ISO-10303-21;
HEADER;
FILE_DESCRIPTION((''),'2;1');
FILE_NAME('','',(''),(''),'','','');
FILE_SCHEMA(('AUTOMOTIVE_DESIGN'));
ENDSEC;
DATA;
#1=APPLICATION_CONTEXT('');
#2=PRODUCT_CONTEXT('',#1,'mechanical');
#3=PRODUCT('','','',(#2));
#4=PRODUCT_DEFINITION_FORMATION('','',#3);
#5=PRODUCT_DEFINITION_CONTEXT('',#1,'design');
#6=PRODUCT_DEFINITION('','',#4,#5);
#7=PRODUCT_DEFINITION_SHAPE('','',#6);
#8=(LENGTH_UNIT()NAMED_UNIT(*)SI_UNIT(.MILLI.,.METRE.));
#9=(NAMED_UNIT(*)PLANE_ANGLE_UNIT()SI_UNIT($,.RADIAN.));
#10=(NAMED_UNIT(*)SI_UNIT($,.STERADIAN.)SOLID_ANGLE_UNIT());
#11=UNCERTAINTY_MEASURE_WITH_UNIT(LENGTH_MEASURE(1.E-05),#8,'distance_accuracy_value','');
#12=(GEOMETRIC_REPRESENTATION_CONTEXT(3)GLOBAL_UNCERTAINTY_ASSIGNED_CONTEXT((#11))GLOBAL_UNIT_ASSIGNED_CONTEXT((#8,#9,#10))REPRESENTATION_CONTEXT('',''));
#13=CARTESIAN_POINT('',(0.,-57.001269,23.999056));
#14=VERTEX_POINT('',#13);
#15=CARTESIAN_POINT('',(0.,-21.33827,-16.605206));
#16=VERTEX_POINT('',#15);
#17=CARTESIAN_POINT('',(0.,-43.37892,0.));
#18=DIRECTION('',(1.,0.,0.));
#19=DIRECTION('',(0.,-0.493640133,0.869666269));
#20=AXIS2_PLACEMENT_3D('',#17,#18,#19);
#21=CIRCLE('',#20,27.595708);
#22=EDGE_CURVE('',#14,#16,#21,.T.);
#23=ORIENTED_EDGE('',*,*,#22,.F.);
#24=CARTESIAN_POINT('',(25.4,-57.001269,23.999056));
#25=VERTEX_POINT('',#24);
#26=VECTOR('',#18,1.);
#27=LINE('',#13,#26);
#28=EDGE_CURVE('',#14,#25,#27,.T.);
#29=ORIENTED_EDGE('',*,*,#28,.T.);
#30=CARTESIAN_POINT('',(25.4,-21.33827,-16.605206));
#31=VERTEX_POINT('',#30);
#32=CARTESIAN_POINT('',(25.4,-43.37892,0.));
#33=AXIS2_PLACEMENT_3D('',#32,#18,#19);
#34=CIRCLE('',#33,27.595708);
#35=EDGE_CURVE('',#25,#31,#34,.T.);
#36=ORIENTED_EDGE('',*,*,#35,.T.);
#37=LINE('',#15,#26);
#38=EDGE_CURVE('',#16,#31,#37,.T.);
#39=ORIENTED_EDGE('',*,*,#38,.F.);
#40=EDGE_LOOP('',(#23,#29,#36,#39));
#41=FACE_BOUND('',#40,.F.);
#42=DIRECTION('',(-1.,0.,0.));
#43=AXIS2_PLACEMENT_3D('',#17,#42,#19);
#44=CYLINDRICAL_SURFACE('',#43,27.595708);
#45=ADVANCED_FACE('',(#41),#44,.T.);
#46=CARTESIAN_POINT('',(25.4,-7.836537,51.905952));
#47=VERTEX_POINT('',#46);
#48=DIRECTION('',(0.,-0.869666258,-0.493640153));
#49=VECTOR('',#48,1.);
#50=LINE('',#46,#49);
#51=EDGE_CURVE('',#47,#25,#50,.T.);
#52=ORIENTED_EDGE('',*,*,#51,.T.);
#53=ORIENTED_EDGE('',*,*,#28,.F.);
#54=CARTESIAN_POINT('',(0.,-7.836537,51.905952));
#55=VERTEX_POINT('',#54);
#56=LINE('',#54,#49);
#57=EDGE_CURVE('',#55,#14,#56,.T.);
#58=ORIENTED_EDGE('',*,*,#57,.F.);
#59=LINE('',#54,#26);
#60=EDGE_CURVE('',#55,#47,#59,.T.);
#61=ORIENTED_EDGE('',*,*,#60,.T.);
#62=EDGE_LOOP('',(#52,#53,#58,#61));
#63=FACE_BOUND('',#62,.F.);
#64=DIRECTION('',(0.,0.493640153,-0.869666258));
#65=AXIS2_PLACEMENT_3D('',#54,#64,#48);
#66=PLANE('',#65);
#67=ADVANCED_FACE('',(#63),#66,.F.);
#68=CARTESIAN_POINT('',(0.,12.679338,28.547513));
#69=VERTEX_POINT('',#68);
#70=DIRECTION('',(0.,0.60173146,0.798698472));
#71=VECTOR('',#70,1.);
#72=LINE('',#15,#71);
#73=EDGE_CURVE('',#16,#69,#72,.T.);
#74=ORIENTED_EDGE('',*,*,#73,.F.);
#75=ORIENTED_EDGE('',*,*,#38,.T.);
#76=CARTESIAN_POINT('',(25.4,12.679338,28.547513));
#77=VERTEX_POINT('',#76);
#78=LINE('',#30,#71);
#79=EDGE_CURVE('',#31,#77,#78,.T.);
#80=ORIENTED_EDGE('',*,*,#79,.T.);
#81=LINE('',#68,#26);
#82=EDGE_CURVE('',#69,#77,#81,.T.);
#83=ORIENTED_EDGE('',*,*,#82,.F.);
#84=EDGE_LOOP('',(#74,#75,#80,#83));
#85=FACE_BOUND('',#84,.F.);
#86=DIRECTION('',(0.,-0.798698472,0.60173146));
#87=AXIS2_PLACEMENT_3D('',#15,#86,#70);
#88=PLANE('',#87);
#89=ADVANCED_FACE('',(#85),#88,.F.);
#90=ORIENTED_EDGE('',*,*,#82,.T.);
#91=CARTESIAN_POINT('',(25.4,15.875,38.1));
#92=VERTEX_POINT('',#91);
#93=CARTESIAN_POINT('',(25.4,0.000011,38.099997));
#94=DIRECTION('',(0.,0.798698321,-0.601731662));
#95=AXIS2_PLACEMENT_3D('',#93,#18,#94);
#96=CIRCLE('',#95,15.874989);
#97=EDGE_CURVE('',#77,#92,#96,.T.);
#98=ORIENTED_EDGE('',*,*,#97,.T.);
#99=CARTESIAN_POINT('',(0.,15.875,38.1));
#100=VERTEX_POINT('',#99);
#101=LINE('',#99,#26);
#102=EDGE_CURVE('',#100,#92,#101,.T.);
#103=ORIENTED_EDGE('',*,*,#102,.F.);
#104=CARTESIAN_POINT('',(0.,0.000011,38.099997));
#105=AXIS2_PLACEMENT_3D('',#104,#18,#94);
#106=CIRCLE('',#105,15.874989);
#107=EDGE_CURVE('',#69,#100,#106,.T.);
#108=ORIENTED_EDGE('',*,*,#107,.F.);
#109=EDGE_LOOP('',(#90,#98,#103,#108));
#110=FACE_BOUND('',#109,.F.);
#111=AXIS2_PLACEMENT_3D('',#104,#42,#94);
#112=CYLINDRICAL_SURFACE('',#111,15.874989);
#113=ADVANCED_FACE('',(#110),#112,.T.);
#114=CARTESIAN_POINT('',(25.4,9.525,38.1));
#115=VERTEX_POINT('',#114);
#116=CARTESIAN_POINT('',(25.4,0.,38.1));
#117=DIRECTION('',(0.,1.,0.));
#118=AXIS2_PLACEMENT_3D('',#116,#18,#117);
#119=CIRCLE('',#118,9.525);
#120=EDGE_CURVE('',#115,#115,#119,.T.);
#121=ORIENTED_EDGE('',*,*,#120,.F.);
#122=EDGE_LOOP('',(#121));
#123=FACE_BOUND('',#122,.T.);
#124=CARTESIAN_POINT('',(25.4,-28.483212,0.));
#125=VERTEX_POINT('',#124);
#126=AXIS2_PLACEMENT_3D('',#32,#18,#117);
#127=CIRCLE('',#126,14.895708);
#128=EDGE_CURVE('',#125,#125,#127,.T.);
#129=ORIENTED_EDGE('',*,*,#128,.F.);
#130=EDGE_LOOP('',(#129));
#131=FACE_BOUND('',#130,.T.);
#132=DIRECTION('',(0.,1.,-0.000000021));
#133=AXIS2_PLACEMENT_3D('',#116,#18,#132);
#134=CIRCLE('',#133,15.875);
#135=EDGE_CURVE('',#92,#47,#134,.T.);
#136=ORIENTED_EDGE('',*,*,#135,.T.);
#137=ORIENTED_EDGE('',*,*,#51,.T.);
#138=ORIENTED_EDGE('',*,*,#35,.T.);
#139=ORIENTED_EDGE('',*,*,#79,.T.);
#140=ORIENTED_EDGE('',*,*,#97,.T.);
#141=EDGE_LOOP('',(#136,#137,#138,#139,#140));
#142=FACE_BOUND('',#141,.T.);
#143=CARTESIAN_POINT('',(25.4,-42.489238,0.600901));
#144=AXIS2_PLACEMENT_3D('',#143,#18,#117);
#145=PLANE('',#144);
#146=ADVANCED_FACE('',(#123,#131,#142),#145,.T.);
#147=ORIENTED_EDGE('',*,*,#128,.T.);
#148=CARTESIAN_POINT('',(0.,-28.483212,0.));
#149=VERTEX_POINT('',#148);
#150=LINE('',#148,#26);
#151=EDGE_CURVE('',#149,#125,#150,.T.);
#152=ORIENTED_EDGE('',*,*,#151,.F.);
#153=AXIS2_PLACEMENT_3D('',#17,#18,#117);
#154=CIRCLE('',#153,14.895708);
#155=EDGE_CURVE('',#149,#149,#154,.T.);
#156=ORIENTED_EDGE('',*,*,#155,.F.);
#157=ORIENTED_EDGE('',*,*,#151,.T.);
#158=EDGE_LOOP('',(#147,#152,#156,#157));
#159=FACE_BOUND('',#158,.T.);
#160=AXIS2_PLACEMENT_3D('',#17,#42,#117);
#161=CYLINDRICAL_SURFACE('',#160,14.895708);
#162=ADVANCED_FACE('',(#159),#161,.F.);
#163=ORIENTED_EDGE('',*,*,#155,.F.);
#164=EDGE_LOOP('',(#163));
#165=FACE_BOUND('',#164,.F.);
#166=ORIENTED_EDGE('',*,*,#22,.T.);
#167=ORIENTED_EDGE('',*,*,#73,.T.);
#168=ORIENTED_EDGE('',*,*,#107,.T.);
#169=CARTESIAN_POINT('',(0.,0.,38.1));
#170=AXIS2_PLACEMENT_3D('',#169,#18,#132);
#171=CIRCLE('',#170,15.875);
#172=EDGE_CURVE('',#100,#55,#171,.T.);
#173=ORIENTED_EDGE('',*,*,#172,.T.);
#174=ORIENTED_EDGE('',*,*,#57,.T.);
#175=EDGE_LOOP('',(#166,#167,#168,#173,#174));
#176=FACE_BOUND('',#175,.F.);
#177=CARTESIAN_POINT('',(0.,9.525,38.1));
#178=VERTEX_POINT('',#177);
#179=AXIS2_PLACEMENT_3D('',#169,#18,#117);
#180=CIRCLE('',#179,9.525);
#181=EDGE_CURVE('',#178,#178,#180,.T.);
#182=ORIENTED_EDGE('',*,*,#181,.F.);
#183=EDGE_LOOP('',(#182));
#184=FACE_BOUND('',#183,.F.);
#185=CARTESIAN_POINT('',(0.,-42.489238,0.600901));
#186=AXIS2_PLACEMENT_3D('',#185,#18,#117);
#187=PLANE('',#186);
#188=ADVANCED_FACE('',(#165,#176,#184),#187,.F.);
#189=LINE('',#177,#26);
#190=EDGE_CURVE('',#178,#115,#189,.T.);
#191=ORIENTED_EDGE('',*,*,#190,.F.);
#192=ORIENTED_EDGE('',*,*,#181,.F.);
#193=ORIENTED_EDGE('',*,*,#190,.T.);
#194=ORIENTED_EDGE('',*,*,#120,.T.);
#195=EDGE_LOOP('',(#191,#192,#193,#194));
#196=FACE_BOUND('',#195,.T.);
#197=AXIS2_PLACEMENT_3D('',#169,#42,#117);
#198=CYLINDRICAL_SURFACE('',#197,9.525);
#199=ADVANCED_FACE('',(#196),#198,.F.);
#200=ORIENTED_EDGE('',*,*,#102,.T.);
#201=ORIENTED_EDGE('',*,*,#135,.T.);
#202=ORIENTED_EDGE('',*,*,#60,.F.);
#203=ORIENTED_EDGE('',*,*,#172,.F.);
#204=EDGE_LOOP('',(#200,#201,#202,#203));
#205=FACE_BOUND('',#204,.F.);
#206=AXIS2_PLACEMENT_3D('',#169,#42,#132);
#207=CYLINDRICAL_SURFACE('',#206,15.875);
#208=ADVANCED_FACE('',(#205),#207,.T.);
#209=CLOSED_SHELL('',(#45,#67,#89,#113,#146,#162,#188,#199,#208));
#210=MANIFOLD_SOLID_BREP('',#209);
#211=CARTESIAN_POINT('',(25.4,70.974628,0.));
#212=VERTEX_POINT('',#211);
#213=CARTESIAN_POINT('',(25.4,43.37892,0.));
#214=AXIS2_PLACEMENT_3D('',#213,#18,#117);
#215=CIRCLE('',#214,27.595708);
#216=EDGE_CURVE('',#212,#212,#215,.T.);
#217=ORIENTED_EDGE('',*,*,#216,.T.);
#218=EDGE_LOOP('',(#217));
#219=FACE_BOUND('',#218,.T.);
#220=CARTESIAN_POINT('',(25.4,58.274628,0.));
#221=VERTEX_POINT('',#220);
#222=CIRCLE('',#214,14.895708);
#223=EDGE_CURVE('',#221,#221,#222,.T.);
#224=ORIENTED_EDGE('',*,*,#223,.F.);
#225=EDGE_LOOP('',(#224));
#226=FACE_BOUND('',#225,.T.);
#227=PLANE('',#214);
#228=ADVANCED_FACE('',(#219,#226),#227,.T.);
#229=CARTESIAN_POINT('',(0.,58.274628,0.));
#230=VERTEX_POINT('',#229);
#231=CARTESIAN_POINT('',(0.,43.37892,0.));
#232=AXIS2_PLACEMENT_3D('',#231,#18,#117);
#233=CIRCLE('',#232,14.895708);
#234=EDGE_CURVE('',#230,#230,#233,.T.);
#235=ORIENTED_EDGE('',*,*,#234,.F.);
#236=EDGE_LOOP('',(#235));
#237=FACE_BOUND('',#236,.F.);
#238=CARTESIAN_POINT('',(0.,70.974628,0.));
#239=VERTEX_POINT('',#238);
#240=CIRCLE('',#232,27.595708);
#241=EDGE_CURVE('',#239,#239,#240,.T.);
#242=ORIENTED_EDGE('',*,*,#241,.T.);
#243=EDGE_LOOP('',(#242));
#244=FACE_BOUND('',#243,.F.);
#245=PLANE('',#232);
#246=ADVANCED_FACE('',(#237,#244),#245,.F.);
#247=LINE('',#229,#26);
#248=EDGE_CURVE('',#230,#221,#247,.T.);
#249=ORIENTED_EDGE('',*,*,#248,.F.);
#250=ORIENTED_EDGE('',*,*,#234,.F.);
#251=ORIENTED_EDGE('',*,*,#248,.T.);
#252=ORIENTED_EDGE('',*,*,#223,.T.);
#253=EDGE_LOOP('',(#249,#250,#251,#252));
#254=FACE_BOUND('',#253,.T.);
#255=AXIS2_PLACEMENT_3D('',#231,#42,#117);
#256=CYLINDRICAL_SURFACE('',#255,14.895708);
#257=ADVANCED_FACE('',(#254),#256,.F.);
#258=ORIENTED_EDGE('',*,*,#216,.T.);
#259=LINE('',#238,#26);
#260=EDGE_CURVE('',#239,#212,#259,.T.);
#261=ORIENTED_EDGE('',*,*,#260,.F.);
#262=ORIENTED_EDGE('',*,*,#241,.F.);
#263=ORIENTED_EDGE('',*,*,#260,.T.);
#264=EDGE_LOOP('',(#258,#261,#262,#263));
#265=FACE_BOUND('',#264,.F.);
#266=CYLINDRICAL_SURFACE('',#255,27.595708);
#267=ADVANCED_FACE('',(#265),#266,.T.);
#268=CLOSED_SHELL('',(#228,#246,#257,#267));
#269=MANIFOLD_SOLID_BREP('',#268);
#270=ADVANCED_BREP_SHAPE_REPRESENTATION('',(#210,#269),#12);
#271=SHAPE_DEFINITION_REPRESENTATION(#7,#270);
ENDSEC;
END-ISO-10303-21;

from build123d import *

# Parameters (mm, degrees)
F0_R     = 14.895708
F0_R_2   = 9.525
F0_R_3   = 27.595708
F1_DEPTH = 25.4


with BuildPart() as f1:
    # F0 (on Right) → F1 (new body)
    with BuildSketch(Plane.YZ):
        with BuildLine():
            ThreePointArc((-21.33827, -16.605206), (-17.208799, -8.754878), (-15.783212, 0))
            ThreePointArc((-15.783212, 0), (-29.493591, 23.847867), (-57.001269, 23.999056))
            ThreePointArc((-57.001269, 23.999056), (-64.112793, -18.210701), (-21.33827, -16.605206))
        make_face()
        with Locations((-43.37892, 0)):
            Circle(F0_R, mode=Mode.SUBTRACT)
        with BuildLine():
            ThreePointArc((-57.001269, 23.999056), (-29.493591, 23.847867), (-15.783212, 0))
            ThreePointArc((-15.783212, 0), (-17.208799, -8.754878), (-21.33827, -16.605206))
            Line((-21.33827, -16.605206), (12.679338, 28.547513))
            ThreePointArc((12.679338, 28.547513), (-11.927588, 27.623919), (-7.836537, 51.905952))
            Line((-7.836537, 51.905952), (-57.001269, 23.999056))
        make_face()
        with BuildLine():
            ThreePointArc((15.875, 38.1), (7.987822, 51.818977), (-7.836537, 51.905952))
            ThreePointArc((-7.836537, 51.905952), (-11.927588, 27.623919), (12.679338, 28.547513))
            ThreePointArc((12.679338, 28.547513), (15.054902, 33.063576), (15.875, 38.1))
        make_face()
        with Locations((0, 38.1)):
            Circle(F0_R_2, mode=Mode.SUBTRACT)
        with Locations((43.37892, 0)):
            Circle(F0_R_3)
        with Locations((43.37892, 0)):
            Circle(F0_R, mode=Mode.SUBTRACT)
    extrude(amount=F1_DEPTH)


solid = f1.part
